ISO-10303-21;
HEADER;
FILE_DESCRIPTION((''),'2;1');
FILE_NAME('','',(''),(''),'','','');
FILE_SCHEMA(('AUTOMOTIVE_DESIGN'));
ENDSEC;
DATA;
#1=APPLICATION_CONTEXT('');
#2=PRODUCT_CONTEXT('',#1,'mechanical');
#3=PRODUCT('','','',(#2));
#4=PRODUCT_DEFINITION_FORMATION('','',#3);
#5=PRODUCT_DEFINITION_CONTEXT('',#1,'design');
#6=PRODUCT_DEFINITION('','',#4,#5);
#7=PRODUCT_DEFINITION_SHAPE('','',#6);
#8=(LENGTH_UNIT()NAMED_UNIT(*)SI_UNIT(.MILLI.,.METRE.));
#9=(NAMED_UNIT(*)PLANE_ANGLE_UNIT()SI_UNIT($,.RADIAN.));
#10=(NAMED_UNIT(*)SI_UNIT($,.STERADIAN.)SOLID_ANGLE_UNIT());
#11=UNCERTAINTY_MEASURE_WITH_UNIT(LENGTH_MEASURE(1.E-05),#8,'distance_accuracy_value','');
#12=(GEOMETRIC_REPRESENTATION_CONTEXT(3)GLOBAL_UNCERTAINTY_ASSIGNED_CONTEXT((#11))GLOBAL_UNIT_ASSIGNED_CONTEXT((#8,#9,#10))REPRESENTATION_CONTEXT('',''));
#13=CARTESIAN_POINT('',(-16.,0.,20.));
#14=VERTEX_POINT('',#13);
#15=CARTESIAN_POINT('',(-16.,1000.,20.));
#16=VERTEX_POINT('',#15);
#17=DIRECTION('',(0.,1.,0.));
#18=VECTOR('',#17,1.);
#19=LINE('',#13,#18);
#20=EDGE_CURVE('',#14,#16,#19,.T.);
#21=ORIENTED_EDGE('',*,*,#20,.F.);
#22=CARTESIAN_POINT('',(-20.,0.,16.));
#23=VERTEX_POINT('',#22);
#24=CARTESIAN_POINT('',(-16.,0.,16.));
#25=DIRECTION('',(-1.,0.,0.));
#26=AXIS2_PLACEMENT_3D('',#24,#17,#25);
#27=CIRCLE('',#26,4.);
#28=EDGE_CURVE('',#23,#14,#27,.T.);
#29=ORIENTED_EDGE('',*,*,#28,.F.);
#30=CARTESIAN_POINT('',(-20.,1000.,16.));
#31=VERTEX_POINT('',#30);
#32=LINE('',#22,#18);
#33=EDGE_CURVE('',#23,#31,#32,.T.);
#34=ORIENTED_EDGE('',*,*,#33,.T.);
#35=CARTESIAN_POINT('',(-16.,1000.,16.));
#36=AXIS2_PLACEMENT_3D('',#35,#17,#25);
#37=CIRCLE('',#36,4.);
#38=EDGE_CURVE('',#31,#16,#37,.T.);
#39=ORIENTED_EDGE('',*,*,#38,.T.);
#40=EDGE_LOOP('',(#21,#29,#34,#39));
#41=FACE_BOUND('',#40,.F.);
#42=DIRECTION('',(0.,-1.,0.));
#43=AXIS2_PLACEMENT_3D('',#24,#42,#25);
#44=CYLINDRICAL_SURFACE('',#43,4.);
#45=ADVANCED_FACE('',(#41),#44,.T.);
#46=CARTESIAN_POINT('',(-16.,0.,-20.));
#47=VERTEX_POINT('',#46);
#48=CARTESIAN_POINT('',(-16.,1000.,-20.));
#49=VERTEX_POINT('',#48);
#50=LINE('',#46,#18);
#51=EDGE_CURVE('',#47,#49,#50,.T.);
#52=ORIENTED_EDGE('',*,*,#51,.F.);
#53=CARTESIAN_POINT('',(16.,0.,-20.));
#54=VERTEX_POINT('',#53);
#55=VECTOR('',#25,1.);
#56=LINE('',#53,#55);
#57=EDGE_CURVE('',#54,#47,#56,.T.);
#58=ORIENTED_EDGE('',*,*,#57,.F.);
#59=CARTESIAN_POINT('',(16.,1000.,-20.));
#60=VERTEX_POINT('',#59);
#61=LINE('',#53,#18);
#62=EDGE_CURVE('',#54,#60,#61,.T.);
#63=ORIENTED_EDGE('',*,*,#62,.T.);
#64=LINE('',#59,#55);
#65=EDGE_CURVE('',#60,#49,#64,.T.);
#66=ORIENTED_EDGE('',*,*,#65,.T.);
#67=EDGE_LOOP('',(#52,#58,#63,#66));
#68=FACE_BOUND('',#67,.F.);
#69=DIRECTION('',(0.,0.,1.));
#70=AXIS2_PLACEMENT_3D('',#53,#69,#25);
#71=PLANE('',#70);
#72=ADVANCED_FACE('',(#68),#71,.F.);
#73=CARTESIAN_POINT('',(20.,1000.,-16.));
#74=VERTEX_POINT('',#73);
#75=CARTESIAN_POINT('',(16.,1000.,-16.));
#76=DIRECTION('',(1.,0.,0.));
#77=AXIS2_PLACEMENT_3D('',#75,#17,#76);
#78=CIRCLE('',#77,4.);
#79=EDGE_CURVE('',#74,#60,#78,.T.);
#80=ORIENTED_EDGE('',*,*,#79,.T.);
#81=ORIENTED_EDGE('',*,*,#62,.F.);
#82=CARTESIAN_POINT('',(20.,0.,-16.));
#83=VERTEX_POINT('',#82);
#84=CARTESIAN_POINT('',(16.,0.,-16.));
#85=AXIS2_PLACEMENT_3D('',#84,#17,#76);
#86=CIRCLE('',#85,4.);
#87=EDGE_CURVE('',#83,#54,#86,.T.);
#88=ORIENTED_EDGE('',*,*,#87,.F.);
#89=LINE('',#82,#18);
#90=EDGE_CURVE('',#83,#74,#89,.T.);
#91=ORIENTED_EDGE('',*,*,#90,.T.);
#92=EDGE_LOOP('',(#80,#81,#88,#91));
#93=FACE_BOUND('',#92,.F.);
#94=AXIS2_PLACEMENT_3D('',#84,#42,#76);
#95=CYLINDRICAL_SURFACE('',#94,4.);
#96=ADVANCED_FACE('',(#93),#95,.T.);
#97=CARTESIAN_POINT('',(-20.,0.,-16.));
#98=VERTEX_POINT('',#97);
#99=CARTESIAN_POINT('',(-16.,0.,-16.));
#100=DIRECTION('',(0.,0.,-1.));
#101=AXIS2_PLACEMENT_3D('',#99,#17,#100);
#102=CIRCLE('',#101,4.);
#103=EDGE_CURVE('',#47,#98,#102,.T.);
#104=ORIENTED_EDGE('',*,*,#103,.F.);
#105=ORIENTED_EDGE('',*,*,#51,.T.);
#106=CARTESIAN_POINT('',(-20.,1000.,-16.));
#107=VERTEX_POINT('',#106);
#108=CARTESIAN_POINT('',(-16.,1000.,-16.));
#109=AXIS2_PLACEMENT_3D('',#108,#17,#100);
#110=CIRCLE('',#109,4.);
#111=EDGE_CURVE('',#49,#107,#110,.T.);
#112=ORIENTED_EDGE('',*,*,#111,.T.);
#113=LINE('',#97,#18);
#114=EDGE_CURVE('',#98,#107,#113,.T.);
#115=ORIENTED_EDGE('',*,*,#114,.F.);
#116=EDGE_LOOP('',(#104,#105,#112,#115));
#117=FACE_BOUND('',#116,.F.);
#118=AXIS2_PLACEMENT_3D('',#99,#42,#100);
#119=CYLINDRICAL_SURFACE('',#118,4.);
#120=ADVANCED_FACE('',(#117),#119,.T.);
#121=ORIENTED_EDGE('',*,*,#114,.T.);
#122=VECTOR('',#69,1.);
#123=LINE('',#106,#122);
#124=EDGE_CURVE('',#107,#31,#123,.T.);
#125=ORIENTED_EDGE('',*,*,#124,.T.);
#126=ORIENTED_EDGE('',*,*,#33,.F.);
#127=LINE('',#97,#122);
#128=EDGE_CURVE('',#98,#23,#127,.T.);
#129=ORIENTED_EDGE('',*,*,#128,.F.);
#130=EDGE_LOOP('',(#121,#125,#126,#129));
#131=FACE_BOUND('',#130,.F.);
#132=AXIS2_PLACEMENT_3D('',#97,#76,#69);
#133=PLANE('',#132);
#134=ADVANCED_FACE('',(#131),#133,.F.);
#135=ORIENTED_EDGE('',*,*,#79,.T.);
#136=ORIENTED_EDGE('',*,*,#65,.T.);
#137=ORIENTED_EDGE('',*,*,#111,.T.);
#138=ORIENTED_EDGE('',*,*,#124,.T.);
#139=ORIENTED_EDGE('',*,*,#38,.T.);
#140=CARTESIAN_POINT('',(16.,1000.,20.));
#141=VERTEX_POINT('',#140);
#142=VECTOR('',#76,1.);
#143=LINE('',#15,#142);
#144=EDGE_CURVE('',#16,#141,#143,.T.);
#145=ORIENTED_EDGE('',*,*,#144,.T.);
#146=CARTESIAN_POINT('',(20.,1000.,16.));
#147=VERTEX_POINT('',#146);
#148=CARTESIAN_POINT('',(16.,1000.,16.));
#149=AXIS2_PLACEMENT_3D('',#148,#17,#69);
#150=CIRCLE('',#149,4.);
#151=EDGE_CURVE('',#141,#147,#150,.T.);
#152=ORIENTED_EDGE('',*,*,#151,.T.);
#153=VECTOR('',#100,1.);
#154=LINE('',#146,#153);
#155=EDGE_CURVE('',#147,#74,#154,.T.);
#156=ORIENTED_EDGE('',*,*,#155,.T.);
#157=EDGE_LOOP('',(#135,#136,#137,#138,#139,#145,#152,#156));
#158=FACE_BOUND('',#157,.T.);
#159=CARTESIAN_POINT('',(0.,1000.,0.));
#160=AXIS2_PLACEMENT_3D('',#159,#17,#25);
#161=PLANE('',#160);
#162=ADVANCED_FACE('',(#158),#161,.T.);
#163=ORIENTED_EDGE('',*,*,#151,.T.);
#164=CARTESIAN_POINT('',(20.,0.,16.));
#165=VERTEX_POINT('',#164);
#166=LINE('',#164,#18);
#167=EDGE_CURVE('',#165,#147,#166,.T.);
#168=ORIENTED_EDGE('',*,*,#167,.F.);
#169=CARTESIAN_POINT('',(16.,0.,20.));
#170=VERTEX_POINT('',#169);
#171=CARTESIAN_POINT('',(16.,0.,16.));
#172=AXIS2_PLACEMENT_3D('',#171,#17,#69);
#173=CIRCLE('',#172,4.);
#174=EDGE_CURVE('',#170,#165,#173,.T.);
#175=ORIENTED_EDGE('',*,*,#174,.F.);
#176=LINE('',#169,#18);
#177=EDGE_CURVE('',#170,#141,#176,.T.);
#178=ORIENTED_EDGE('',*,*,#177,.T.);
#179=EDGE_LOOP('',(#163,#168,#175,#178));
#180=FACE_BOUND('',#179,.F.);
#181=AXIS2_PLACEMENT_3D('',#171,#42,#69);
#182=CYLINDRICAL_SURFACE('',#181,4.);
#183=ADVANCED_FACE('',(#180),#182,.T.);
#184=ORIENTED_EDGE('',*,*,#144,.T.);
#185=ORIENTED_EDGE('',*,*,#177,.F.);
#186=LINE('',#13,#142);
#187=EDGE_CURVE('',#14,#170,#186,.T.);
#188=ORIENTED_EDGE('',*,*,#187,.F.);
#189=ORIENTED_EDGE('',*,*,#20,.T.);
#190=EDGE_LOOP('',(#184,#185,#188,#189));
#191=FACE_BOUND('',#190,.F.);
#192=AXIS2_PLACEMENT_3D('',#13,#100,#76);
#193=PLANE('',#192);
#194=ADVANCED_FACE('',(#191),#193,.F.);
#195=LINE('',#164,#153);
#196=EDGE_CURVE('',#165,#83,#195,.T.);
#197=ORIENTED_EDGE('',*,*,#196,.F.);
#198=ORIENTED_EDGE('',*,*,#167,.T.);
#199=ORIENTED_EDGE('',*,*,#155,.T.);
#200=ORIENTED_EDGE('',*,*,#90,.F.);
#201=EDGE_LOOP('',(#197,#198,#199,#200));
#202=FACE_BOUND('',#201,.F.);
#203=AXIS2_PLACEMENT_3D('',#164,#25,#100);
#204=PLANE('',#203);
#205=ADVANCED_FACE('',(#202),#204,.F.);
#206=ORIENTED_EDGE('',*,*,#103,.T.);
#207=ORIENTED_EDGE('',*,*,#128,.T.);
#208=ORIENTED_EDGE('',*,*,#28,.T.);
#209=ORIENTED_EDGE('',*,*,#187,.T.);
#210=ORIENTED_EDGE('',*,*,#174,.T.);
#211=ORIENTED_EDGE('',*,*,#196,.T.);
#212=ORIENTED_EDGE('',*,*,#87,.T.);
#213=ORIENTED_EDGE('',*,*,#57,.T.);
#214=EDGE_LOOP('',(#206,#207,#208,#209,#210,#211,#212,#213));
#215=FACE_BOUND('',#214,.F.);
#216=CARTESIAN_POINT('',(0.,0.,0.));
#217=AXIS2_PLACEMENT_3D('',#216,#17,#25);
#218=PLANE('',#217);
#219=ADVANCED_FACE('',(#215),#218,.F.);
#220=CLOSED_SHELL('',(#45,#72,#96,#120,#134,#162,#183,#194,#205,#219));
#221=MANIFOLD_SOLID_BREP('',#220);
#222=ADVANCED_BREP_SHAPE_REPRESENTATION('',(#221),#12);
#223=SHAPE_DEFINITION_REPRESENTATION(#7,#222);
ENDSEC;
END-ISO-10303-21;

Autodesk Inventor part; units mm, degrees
ref_plane "YZ Plane" through (0, 0, 0) normal (1, 0, 0) x (0, 1, 0)
ref_plane "XZ Plane" through (0, 0, 0) normal (0, 1, 0) x (-1, 0, 0)
ref_plane "XY Plane" through (0, 0, 0) normal (0, 0, 1) x (1, 0, 0)
sketch "Sketch1" plane through (0, 0, 0) normal (0, 1, 0) x (-1, 0, 0)
  line L0 (0, 12.4728) -> (0, -12.4728) construction
  line L1 (2.135, 0) -> (-2.135, 0) construction
  line L2 (16, 20) -> (-16, 20)
  line L3 (-20, 16) -> (-20, -16)
  line L4 (-16, -20) -> (16, -20)
  line L5 (20, -16) -> (20, 16)
  arc A0 (-16, 20) -> (-20, 16) centre (-16, 16) ccw
  arc A1 (-20, -16) -> (-16, -20) centre (-16, -16) ccw
  arc A2 (16, -20) -> (20, -16) centre (16, -16) ccw
  arc A3 (20, 16) -> (16, 20) centre (16, 16) ccw
  point P0 (0, 0)
  point P1 (0, 0)
  dimension "d1" = 4
  dimension "d2" = 4
  dimension "d3" = 40
extrude "Extrusion1" add sketch "Sketch1" along normal blind 1000
properties part number "item40x40_1000"
